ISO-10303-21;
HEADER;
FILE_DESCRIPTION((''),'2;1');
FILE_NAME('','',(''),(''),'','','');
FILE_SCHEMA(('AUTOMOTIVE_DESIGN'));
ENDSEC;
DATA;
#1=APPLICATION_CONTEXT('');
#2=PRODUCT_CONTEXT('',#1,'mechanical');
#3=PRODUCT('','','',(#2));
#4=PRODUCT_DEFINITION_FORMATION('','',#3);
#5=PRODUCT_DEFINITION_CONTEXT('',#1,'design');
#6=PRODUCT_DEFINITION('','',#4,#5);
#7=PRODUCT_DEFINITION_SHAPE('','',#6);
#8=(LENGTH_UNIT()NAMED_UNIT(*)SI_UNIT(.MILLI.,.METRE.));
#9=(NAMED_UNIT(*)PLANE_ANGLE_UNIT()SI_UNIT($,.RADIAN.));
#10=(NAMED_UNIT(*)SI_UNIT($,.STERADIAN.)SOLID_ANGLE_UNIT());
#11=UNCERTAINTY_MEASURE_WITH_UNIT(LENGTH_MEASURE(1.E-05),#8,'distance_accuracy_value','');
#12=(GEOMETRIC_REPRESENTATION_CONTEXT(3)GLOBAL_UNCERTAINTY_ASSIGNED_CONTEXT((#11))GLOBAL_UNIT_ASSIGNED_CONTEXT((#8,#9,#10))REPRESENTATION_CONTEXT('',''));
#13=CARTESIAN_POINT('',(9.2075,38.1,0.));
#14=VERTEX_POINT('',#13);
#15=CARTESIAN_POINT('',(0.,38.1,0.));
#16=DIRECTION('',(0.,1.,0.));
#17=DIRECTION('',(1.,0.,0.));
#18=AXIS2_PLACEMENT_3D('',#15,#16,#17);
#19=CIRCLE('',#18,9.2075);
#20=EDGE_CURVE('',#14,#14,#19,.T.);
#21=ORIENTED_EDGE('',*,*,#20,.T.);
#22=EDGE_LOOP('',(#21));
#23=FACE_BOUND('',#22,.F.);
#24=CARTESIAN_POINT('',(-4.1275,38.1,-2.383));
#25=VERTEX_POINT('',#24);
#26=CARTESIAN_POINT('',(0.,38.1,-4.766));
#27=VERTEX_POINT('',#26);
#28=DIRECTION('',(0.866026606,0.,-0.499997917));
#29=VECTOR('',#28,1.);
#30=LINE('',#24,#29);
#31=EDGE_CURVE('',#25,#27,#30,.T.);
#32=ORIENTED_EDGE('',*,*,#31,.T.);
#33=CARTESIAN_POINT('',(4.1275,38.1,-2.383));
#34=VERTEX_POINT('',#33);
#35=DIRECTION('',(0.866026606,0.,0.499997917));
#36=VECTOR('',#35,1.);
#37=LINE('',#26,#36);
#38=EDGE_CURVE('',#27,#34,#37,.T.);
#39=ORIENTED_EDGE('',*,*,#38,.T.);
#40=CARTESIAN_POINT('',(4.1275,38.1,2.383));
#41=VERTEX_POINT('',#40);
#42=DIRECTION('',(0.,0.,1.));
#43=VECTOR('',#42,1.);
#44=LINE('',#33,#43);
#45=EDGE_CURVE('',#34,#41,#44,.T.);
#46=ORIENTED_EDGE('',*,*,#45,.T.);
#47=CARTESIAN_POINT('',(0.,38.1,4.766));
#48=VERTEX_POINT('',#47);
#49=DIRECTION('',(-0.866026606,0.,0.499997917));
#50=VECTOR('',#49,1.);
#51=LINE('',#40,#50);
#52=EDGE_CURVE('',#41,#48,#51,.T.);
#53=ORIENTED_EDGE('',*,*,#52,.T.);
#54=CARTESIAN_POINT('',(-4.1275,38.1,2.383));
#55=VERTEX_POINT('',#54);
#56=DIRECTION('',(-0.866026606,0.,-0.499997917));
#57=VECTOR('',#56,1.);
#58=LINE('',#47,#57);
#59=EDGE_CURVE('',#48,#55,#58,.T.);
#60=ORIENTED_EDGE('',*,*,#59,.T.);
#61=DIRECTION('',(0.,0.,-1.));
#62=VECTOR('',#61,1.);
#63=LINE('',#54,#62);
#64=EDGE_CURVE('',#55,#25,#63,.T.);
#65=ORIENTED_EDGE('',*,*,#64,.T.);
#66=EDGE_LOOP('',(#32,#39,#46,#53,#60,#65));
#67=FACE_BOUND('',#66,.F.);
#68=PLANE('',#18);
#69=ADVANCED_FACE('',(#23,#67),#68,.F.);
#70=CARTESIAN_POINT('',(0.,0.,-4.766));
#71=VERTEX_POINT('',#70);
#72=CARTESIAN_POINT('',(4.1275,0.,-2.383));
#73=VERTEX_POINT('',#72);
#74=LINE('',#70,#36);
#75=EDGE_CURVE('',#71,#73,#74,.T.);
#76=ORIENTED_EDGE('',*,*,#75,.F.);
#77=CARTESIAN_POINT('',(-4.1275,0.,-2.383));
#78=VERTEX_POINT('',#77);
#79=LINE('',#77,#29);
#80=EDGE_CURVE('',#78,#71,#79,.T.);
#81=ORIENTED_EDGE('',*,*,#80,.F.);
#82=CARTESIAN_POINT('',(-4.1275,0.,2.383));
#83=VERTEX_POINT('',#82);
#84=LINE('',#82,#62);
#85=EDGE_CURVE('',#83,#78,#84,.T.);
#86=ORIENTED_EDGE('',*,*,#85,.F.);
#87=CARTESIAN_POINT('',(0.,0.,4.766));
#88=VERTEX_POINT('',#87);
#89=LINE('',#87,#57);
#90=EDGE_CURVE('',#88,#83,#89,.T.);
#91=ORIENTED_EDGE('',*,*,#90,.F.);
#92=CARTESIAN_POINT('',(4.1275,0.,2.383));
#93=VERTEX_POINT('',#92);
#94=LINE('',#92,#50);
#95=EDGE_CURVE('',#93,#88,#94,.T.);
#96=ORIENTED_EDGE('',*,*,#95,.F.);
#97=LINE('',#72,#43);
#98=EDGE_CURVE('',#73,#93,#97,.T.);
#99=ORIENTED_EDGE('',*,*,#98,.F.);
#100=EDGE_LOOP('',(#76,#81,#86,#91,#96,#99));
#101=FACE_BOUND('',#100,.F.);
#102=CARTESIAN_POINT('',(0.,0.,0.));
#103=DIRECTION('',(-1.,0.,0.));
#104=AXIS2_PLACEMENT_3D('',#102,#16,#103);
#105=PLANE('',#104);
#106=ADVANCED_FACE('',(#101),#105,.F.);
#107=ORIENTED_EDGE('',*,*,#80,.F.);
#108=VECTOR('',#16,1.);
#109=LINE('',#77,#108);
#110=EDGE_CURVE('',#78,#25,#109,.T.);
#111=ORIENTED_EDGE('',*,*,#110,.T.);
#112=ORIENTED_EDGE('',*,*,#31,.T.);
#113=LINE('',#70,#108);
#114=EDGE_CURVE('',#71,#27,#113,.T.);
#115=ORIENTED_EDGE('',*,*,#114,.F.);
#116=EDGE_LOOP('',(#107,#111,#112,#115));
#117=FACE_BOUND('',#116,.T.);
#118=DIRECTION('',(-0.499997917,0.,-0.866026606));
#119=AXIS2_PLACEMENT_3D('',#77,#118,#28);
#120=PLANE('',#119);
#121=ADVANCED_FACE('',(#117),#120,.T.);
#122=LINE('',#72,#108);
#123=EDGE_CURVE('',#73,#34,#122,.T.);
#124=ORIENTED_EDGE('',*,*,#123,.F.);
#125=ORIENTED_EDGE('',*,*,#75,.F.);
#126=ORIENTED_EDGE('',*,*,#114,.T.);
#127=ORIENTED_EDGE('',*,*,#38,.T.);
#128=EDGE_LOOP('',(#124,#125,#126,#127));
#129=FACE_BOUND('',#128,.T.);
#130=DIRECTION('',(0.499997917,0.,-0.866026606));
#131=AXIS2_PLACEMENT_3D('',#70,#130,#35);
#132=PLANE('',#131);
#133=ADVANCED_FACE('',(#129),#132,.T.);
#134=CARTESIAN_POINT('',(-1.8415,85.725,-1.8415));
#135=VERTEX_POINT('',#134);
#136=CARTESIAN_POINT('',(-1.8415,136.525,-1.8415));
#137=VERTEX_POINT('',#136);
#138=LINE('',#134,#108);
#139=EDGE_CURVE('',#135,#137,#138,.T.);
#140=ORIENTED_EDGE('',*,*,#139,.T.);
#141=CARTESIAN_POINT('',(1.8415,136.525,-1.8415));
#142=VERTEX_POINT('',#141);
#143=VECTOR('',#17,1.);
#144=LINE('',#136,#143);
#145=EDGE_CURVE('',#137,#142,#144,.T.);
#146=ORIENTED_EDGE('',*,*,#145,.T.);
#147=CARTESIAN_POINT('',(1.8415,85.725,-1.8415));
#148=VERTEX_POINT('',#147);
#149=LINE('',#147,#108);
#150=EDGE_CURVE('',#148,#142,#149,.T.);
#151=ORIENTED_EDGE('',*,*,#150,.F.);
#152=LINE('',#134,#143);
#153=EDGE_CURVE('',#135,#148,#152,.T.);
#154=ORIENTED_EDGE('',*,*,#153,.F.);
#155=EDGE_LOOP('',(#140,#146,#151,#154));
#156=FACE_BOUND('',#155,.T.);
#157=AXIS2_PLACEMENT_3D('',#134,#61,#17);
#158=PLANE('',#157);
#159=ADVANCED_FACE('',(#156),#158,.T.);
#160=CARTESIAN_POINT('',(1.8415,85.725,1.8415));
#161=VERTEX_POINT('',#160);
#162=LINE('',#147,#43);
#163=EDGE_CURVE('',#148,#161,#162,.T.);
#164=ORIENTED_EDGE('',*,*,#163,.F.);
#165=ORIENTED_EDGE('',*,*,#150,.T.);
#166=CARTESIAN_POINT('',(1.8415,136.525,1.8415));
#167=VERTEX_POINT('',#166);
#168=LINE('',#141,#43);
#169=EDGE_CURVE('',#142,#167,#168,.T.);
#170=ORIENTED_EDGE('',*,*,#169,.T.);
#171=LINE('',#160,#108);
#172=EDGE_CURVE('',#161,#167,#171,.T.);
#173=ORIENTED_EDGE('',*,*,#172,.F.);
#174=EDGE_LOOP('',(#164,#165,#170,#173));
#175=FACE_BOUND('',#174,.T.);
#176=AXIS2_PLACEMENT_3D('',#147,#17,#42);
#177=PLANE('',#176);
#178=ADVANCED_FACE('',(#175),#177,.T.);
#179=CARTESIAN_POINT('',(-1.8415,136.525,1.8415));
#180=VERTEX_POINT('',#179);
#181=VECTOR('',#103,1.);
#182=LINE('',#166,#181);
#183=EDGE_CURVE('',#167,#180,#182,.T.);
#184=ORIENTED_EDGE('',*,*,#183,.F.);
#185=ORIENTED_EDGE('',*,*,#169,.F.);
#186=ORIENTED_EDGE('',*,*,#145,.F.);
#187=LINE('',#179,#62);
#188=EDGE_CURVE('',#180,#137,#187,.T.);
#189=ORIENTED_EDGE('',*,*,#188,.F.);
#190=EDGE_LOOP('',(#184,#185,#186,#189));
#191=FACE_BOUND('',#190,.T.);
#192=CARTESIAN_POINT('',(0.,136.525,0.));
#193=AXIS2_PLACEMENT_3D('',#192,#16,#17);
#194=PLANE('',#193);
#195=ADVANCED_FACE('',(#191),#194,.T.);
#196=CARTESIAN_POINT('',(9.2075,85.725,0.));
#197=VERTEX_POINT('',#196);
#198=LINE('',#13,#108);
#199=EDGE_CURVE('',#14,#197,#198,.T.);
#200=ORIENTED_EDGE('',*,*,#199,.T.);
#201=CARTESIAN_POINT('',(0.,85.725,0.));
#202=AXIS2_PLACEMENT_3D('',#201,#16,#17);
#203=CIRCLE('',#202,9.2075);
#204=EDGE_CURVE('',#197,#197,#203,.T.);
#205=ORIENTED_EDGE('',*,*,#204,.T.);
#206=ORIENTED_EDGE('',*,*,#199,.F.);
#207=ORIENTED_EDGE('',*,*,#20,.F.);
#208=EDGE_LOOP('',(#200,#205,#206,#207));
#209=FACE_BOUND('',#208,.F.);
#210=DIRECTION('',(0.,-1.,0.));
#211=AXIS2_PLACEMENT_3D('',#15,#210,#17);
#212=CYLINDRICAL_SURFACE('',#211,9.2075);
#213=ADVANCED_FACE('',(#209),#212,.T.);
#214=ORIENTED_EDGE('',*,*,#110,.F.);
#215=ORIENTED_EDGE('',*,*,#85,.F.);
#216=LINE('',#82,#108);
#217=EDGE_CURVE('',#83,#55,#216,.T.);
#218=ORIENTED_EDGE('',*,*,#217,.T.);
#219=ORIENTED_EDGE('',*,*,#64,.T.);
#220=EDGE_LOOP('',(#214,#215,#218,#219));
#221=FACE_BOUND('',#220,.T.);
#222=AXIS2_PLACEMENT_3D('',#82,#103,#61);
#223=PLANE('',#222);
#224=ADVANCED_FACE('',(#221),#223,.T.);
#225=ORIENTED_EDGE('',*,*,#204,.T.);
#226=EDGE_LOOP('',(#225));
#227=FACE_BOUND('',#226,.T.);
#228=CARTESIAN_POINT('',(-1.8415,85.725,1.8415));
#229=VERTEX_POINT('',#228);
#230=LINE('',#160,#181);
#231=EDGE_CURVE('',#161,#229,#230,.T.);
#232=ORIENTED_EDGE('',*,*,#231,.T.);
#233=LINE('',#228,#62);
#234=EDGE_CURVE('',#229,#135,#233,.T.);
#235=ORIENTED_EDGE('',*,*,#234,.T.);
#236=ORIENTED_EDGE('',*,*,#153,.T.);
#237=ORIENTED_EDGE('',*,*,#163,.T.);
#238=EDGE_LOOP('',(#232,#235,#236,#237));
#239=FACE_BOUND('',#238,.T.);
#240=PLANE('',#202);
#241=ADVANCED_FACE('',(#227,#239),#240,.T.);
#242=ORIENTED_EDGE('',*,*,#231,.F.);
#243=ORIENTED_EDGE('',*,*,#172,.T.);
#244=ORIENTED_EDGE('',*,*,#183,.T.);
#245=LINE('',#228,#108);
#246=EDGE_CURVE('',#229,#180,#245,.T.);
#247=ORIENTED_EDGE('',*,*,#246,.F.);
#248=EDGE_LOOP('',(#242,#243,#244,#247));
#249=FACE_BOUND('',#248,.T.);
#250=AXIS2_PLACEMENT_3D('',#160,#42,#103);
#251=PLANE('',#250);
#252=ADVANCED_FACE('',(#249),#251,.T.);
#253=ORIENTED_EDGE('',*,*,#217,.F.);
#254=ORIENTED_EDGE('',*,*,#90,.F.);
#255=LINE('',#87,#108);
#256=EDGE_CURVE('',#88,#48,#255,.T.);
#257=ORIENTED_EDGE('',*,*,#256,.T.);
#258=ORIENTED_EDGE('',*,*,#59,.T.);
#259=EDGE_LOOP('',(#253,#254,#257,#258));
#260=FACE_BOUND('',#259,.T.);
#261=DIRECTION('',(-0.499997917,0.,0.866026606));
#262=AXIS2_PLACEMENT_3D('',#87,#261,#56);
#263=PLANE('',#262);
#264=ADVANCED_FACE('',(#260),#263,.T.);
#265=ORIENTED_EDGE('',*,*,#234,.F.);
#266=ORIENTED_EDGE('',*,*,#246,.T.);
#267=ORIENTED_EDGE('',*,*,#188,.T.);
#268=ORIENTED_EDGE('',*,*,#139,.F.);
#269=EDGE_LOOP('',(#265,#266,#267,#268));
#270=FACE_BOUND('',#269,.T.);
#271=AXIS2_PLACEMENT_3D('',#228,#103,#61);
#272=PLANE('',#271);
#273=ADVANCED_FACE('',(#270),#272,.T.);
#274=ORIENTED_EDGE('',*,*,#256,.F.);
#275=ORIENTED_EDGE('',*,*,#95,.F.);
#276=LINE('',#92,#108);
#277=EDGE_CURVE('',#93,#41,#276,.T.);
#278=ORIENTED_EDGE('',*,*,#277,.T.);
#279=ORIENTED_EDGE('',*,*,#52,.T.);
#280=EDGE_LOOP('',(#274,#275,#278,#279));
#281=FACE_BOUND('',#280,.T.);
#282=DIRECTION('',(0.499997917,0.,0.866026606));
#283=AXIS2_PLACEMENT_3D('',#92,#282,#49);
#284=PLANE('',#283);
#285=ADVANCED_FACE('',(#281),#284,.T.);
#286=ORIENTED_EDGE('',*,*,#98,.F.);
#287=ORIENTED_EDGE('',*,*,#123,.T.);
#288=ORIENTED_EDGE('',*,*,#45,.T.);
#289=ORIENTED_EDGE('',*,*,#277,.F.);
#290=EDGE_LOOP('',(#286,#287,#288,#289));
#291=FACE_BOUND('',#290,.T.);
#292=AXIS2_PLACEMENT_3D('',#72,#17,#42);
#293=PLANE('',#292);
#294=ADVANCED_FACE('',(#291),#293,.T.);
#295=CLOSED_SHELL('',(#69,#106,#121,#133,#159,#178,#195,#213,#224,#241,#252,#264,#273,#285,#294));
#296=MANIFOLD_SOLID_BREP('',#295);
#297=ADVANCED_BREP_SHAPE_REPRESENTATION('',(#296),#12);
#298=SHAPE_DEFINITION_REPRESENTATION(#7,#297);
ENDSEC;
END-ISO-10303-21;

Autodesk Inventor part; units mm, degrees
ref_plane "YZ Plane" through (0, 0, 0) normal (1, 0, 0) x (0, 1, 0)
ref_plane "XZ Plane" through (0, 0, 0) normal (0, 1, 0) x (-1, 0, 0)
ref_plane "XY Plane" through (0, 0, 0) normal (0, 0, 1) x (1, 0, 0)
sketch "Sketch1" plane through (0, 0, 0) normal (0, 1, 0) x (-1, 0, 0)
  line L0 (0, -4.766) -> (-4.1275, -2.383)
  line L1 (-4.1275, -2.383) -> (-4.1275, 2.383)
  line L2 (-4.1275, 2.383) -> (0, 4.766)
  line L3 (0, 4.766) -> (4.1275, 2.383)
  line L4 (4.1275, 2.383) -> (4.1275, -2.383)
  line L5 (4.1275, -2.383) -> (0, -4.766)
  point P0 (0, 0)
  point P1 (0, 0)
  dimension "d0" = 8.255
extrude "Extrusion1" add sketch "Sketch1" along normal blind 38.1
sketch "Sketch2" plane through (0, 38.1, 0) normal (0, 1, 0) x (1, 0, 0)
  circle A0 centre (0, 0) radius 9.2075
  dimension "d3" = 18.415
extrude "Extrusion2" add sketch "Sketch2" along normal blind 47.625
sketch "Sketch3" plane through (0, 85.725, 0) normal (0, 1, 0) x (1, 0, 0)
  line L0 (-1.8415, 1.8415) -> (1.8415, 1.8415)
  line L1 (1.8415, 1.8415) -> (1.8415, -1.8415)
  line L2 (1.8415, -1.8415) -> (-1.8415, -1.8415)
  line L3 (-1.8415, -1.8415) -> (-1.8415, 1.8415)
  point P0 (0, 0)
  point P1 (0, 0)
  dimension "d6" = 3.683
extrude "Extrusion3" add sketch "Sketch3" along normal blind 50.8
